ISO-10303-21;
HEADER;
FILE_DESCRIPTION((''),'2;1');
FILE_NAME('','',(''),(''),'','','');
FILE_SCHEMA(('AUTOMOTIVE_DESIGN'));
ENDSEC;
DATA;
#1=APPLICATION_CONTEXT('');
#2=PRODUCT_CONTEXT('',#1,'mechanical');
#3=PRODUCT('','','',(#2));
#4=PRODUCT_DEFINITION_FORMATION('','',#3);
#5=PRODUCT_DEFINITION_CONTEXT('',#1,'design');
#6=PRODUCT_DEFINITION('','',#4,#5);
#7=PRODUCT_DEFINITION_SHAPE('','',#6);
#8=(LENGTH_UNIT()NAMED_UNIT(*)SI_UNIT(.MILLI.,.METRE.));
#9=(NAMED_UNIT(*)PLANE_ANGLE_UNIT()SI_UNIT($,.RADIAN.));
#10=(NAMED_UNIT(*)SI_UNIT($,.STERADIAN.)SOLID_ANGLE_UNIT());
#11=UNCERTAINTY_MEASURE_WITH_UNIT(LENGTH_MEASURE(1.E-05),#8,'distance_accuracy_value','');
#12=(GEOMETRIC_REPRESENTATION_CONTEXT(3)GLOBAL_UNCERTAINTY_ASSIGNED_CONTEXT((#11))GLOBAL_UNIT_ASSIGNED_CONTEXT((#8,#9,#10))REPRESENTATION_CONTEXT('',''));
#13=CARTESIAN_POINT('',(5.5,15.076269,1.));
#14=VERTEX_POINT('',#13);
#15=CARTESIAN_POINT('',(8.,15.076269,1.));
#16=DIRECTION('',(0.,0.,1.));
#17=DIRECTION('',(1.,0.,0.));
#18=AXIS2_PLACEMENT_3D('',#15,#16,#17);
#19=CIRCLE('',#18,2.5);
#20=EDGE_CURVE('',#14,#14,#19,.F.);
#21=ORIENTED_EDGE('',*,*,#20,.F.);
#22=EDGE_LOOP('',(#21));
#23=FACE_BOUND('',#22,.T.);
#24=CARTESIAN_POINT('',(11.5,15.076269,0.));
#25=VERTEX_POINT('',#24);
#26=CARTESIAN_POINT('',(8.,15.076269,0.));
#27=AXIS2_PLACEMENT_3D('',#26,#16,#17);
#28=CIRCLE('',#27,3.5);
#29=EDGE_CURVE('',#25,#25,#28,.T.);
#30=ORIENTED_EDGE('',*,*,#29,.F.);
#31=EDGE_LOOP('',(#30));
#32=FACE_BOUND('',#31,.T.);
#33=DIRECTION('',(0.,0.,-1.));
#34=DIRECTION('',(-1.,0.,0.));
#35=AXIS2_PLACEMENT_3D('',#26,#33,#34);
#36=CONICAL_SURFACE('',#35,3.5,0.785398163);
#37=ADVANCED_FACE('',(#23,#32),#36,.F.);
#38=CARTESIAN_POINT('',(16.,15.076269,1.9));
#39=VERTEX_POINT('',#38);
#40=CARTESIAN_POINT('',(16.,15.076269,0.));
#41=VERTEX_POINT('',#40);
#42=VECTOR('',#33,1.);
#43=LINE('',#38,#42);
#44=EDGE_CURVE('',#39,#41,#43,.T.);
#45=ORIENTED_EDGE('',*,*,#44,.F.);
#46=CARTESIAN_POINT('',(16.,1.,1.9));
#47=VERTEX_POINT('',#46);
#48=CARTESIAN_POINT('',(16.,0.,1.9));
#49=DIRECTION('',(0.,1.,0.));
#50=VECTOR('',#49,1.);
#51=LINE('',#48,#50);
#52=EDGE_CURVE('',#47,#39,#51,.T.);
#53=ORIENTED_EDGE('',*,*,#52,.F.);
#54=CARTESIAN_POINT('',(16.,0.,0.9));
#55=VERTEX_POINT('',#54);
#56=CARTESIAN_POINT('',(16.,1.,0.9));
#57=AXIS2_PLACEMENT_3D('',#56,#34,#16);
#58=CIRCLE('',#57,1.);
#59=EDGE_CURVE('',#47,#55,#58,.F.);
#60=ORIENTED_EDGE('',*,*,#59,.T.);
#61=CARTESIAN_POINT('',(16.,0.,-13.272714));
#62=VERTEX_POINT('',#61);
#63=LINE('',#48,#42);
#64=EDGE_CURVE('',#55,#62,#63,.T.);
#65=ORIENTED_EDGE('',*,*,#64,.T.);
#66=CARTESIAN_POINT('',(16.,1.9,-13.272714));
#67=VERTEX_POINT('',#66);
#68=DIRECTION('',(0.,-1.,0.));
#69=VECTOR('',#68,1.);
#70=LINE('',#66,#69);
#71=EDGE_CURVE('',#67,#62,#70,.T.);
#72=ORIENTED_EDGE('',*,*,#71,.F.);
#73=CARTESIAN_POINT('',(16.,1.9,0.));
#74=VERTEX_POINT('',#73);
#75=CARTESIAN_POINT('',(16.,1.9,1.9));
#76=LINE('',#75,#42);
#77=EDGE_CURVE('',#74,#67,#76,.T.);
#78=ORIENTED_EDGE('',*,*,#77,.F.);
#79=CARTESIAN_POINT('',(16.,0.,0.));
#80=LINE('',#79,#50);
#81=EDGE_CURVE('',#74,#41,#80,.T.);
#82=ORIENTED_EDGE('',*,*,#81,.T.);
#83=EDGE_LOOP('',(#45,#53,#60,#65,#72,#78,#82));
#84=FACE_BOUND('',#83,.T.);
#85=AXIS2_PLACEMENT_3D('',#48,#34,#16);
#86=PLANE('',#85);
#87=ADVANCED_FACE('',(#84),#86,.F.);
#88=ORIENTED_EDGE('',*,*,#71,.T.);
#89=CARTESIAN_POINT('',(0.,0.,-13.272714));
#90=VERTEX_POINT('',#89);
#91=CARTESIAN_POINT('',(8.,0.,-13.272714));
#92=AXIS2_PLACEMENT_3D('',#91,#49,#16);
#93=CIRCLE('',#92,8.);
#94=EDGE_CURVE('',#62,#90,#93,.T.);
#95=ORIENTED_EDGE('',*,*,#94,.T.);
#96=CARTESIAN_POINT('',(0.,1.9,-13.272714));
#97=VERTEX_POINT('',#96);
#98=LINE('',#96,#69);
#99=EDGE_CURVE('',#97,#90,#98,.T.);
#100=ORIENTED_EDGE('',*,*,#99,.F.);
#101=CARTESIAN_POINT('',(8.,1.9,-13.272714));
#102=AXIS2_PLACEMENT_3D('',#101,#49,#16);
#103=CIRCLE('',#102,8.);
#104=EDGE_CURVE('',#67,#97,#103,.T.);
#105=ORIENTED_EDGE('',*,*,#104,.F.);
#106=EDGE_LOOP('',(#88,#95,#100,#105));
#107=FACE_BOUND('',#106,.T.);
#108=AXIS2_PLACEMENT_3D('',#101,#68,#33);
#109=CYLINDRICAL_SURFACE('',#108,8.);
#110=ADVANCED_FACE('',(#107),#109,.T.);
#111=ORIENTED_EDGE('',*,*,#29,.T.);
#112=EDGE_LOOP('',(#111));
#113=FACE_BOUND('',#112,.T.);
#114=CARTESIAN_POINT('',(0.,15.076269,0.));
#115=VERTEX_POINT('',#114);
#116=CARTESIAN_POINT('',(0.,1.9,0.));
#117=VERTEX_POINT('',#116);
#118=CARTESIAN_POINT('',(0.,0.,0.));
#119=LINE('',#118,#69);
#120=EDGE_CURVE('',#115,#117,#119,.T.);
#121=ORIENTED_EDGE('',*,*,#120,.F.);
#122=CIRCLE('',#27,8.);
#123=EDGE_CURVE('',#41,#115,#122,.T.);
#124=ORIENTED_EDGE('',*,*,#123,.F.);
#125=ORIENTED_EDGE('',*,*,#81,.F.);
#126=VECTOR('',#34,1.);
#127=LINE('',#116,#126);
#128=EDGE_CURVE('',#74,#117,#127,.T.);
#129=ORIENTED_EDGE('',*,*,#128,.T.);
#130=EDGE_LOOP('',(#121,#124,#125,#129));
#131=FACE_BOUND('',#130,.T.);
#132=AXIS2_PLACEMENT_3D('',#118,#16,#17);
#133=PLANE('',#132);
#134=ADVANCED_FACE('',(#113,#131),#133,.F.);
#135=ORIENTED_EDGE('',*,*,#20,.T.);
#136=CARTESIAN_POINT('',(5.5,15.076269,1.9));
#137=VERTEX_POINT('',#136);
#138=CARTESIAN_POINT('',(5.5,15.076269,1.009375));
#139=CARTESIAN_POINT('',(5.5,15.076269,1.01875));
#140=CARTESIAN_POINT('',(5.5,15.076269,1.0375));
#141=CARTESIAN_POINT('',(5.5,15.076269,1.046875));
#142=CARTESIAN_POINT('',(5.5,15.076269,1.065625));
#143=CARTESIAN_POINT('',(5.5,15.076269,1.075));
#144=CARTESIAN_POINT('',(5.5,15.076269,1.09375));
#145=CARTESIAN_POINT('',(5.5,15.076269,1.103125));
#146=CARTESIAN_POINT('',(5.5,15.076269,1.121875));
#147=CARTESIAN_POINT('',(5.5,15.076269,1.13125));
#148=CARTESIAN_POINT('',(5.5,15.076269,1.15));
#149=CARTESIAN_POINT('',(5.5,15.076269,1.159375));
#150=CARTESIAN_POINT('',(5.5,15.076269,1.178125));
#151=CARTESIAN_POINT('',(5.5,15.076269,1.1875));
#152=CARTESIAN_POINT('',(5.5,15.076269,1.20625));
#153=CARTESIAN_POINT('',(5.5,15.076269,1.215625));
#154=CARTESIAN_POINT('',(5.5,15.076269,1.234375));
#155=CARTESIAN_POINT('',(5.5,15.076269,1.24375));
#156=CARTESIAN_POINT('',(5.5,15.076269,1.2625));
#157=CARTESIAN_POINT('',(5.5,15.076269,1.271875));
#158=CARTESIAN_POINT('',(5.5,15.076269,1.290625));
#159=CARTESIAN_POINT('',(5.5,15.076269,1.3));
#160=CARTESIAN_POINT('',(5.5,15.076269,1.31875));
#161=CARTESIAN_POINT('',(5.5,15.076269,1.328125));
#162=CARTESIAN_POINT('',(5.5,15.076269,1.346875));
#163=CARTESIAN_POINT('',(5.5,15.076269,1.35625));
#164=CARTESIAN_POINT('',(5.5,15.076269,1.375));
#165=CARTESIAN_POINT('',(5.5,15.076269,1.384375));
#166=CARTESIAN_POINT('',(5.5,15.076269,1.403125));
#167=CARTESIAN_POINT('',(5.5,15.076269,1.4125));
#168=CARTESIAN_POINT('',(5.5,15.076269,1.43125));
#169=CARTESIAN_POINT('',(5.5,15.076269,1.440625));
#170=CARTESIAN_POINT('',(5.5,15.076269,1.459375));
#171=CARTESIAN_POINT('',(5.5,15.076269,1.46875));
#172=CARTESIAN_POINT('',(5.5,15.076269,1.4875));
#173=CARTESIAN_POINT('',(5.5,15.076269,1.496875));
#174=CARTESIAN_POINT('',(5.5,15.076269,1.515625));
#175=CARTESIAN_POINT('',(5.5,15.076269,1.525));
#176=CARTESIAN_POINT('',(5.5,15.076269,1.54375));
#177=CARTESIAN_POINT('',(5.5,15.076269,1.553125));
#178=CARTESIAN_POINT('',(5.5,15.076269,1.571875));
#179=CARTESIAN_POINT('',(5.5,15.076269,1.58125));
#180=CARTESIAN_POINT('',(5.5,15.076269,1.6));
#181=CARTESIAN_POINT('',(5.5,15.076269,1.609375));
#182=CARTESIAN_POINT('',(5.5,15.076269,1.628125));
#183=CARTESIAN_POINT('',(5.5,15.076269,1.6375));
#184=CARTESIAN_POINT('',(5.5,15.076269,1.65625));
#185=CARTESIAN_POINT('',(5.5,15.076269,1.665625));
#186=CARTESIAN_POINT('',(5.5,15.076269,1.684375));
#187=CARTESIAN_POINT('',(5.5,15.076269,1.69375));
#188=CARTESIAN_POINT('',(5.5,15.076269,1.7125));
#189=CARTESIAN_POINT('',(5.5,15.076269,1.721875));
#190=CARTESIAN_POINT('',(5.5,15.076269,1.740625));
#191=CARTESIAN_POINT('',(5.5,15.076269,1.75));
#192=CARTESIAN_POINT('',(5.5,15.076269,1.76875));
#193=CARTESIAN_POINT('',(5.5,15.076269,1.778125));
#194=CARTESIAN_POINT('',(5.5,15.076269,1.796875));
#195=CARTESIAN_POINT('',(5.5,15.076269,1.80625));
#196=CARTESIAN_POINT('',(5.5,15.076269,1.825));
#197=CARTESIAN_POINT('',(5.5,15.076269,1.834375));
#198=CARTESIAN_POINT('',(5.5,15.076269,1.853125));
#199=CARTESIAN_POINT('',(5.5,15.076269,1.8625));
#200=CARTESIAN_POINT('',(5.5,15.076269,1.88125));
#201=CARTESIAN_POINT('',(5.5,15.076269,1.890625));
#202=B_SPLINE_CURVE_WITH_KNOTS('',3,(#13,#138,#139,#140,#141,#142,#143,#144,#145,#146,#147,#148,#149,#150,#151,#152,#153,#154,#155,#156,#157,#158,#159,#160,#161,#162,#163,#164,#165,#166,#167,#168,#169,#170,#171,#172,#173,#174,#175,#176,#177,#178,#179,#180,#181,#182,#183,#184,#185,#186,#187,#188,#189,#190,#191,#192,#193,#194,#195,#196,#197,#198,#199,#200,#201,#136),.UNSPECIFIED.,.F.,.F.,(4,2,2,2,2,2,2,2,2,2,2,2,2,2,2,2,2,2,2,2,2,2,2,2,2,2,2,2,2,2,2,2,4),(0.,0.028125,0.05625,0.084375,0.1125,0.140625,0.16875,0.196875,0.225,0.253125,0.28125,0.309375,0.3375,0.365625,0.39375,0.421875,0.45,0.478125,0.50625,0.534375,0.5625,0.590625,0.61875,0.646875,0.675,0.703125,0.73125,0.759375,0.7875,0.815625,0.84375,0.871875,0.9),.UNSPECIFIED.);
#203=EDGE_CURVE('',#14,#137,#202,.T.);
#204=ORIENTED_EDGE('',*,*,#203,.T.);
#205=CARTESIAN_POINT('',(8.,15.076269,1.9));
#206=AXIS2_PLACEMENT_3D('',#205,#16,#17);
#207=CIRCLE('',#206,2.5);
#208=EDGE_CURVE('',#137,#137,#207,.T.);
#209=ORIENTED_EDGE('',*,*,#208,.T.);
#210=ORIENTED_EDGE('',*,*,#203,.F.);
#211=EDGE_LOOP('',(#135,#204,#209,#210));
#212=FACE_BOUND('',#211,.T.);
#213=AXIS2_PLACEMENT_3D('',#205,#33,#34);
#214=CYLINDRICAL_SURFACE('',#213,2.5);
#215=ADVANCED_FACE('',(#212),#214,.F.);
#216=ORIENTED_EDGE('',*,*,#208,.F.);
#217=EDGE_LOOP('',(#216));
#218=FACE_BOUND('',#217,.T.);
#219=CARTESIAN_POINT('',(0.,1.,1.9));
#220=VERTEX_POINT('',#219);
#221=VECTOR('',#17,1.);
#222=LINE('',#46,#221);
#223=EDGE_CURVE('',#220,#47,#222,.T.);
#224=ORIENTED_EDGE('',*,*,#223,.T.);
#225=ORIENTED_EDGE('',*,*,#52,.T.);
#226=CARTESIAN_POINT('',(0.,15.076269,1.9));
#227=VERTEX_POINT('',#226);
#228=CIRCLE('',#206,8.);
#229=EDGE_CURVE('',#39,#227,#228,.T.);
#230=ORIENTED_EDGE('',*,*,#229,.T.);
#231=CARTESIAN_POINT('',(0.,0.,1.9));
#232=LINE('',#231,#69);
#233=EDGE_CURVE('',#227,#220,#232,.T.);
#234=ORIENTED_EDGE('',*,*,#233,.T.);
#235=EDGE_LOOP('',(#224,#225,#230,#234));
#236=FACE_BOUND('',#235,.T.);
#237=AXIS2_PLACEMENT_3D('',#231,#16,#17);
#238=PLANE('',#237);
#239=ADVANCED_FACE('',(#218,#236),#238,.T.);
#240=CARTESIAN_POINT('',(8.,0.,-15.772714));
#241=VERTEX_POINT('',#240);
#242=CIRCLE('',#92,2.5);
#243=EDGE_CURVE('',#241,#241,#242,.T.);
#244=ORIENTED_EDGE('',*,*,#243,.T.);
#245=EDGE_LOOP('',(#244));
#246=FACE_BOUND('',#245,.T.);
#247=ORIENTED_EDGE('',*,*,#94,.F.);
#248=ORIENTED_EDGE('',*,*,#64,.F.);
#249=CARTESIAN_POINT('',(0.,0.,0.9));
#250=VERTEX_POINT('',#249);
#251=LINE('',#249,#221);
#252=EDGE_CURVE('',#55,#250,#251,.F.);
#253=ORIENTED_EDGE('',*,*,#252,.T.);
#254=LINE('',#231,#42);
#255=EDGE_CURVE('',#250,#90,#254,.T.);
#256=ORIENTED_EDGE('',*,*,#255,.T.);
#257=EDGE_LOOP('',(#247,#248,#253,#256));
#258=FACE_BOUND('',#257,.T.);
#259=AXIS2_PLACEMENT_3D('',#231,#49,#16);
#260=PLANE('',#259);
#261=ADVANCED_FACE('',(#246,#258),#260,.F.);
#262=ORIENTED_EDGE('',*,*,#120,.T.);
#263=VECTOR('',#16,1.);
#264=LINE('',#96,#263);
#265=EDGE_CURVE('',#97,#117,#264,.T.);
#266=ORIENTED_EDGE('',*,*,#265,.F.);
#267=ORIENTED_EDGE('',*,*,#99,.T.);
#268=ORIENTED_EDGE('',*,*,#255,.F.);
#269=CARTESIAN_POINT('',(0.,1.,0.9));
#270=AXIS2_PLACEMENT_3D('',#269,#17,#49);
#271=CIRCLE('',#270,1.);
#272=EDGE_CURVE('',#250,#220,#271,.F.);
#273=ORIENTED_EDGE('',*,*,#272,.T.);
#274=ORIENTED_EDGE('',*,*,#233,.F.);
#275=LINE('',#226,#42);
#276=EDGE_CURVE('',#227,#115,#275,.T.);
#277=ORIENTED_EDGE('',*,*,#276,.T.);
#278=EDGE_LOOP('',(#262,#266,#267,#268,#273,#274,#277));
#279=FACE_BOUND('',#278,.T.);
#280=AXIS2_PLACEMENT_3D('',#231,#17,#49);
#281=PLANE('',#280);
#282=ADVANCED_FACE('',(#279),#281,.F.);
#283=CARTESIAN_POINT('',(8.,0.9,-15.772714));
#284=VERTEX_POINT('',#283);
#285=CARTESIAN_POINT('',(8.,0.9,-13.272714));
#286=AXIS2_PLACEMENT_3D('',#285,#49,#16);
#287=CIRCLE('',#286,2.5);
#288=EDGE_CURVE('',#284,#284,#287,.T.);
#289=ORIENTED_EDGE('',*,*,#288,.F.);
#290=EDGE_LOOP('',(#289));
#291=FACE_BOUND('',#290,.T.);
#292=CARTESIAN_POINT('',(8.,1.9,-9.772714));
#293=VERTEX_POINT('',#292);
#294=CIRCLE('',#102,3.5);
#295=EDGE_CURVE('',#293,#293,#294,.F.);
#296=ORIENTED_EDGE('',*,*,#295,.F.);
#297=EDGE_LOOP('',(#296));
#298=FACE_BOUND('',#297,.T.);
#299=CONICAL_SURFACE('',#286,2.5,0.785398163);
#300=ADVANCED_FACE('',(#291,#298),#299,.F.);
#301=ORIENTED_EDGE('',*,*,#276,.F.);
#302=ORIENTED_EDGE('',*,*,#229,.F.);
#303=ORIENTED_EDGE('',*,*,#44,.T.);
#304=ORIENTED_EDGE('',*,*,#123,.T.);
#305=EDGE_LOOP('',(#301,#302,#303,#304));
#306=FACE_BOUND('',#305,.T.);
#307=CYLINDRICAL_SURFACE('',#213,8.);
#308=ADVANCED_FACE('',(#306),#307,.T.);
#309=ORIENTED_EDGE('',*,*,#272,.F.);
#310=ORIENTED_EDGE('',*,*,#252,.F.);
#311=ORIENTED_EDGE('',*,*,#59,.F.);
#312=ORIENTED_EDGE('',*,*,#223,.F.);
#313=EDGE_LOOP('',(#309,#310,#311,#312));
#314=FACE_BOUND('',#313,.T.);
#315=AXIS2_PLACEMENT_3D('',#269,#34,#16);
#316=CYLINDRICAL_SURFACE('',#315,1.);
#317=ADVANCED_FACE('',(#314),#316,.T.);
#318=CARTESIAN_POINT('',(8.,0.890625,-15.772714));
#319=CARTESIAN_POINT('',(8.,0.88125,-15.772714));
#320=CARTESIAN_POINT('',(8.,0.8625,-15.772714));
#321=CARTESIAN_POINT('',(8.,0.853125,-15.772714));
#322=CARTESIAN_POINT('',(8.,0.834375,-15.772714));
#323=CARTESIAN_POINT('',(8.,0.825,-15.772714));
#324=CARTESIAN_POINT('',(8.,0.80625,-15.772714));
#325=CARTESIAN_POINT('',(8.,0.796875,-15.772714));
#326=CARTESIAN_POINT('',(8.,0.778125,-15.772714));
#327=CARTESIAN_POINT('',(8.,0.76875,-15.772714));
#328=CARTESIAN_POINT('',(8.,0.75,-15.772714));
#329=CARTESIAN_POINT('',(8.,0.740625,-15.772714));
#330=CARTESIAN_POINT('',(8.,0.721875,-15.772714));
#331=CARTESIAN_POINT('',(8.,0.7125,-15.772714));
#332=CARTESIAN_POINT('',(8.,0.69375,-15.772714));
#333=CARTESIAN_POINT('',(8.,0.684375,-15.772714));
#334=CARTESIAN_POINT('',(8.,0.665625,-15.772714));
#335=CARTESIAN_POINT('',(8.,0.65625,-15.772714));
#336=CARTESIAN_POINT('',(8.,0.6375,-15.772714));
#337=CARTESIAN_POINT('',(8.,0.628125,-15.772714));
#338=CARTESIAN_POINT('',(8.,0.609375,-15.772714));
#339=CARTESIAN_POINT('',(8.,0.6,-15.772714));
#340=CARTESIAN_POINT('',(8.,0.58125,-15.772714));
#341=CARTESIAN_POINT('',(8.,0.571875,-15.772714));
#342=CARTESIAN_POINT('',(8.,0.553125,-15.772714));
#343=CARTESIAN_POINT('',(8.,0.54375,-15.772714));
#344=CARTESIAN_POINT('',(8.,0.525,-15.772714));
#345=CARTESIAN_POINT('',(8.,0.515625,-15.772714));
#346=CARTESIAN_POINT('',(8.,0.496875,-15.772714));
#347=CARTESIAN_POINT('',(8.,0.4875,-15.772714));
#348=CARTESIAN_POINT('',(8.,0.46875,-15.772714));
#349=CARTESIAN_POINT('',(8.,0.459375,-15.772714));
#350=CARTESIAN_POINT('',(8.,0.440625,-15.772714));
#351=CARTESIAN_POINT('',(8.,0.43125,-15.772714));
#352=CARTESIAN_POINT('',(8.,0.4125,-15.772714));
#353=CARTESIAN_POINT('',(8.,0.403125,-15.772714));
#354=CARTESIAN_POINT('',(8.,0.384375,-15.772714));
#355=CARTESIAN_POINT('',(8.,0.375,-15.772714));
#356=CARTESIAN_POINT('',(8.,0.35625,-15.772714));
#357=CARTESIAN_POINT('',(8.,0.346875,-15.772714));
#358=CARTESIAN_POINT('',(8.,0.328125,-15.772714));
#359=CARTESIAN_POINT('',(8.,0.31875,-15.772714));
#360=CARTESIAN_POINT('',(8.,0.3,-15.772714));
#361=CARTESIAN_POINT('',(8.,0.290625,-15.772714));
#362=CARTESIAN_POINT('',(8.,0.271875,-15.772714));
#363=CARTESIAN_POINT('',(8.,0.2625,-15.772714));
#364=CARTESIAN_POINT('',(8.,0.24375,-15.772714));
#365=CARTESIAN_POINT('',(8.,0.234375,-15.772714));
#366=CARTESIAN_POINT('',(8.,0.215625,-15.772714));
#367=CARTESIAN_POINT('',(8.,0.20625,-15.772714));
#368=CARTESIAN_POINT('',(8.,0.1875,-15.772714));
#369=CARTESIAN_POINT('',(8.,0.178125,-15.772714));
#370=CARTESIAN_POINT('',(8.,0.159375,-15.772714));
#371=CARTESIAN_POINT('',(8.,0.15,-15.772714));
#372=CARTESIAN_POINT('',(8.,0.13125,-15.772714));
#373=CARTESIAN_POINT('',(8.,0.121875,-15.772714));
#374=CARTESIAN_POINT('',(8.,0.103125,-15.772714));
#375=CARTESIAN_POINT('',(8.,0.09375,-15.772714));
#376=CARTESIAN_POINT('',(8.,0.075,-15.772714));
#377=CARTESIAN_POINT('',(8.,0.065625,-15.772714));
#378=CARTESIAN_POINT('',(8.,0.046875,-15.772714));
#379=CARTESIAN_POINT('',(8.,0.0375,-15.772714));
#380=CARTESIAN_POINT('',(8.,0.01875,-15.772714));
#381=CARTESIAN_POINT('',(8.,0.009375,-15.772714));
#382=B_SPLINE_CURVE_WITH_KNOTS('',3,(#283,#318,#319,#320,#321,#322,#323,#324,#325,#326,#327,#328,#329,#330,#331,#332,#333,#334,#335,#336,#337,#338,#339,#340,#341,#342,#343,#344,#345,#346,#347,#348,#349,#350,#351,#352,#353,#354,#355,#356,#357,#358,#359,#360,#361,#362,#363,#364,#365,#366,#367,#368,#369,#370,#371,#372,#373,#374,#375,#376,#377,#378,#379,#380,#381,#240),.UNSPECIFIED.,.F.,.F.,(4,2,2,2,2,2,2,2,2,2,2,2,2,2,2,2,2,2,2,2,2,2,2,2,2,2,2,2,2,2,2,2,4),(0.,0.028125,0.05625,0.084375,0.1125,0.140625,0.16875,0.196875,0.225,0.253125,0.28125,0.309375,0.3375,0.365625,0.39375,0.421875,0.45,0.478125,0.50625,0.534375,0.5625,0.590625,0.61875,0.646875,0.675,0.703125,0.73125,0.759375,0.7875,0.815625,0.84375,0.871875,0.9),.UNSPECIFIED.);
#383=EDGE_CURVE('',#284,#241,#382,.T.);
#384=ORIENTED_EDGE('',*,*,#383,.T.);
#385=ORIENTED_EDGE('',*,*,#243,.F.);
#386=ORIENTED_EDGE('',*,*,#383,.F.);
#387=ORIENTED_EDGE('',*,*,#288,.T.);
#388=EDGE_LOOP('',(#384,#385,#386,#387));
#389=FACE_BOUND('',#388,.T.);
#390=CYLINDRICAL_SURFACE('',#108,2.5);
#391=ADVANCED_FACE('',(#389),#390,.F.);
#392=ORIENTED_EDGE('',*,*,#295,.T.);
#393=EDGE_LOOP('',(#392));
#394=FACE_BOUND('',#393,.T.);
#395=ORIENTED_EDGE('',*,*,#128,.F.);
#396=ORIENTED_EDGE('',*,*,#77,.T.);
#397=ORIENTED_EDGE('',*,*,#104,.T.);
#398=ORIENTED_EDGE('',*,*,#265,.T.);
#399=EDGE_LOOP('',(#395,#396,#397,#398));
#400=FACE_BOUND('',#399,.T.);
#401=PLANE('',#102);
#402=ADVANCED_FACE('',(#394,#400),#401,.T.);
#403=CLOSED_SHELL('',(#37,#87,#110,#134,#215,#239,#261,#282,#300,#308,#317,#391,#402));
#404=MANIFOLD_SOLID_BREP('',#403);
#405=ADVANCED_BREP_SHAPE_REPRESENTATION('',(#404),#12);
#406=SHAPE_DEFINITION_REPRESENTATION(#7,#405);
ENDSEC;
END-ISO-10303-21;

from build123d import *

# Parameters (mm, degrees)
SKETCH_1_R      = 2.5
EXTRUDE_1_DEPTH = 1.9
SKETCH_3_R      = 2.5
EXTRUDE_2_DEPTH = 1.9
FILLET_1_R      = 1
CHAMFER_1_SIZE  = 1


with BuildPart() as part:
    # 草图1 → 凸台-拉伸1 (new body)
    with BuildSketch(Plane.XY):
        with BuildLine():
            Line((0, 15.076269086), (0, 0))
            Line((0, 0), (16, 0))
            Line((16, 0), (16, 15.076269086))
            ThreePointArc((16, 15.076269086), (8, 23.076269086), (0, 15.076269086))
        make_face()
        with Locations(Location((8, 15.076269086, 0), (0, 0, 180))):
            Circle(SKETCH_1_R, mode=Mode.SUBTRACT)
    extrude(amount=EXTRUDE_1_DEPTH)

    # 草图3 → 凸台-拉伸2 (add)
    with BuildSketch(Plane(origin=(0, 0, 0), x_dir=(1, 0, 0), z_dir=(0, 1, 0))):
        with BuildLine():
            Line((0, -1.9), (16, -1.9))
            Line((16, -1.9), (16, 13.272714332))
            ThreePointArc((16, 13.272714332), (8, 21.272714332), (0, 13.272714332))
            Line((0, 13.272714332), (0, -1.9))
        make_face()
        with Locations(Location((8, 13.272714332, 0), (0, 0, 90))):
            Circle(SKETCH_3_R, mode=Mode.SUBTRACT)
    extrude(amount=EXTRUDE_2_DEPTH)

    # 圆角1
    fillet_1_edges = [part.edges().sort_by_distance(p)[0] for p in [
        (8, 0, 1.9),
    ]]
    fillet(fillet_1_edges, radius=FILLET_1_R)

    # 倒角1
    chamfer_1_edges = [part.edges().sort_by_distance(p)[0] for p in [
        (8, 1.9, -10.772714332),
        (10.5, 15.076269086, 0),
    ]]
    chamfer(chamfer_1_edges, length=CHAMFER_1_SIZE)


solid = part.part
